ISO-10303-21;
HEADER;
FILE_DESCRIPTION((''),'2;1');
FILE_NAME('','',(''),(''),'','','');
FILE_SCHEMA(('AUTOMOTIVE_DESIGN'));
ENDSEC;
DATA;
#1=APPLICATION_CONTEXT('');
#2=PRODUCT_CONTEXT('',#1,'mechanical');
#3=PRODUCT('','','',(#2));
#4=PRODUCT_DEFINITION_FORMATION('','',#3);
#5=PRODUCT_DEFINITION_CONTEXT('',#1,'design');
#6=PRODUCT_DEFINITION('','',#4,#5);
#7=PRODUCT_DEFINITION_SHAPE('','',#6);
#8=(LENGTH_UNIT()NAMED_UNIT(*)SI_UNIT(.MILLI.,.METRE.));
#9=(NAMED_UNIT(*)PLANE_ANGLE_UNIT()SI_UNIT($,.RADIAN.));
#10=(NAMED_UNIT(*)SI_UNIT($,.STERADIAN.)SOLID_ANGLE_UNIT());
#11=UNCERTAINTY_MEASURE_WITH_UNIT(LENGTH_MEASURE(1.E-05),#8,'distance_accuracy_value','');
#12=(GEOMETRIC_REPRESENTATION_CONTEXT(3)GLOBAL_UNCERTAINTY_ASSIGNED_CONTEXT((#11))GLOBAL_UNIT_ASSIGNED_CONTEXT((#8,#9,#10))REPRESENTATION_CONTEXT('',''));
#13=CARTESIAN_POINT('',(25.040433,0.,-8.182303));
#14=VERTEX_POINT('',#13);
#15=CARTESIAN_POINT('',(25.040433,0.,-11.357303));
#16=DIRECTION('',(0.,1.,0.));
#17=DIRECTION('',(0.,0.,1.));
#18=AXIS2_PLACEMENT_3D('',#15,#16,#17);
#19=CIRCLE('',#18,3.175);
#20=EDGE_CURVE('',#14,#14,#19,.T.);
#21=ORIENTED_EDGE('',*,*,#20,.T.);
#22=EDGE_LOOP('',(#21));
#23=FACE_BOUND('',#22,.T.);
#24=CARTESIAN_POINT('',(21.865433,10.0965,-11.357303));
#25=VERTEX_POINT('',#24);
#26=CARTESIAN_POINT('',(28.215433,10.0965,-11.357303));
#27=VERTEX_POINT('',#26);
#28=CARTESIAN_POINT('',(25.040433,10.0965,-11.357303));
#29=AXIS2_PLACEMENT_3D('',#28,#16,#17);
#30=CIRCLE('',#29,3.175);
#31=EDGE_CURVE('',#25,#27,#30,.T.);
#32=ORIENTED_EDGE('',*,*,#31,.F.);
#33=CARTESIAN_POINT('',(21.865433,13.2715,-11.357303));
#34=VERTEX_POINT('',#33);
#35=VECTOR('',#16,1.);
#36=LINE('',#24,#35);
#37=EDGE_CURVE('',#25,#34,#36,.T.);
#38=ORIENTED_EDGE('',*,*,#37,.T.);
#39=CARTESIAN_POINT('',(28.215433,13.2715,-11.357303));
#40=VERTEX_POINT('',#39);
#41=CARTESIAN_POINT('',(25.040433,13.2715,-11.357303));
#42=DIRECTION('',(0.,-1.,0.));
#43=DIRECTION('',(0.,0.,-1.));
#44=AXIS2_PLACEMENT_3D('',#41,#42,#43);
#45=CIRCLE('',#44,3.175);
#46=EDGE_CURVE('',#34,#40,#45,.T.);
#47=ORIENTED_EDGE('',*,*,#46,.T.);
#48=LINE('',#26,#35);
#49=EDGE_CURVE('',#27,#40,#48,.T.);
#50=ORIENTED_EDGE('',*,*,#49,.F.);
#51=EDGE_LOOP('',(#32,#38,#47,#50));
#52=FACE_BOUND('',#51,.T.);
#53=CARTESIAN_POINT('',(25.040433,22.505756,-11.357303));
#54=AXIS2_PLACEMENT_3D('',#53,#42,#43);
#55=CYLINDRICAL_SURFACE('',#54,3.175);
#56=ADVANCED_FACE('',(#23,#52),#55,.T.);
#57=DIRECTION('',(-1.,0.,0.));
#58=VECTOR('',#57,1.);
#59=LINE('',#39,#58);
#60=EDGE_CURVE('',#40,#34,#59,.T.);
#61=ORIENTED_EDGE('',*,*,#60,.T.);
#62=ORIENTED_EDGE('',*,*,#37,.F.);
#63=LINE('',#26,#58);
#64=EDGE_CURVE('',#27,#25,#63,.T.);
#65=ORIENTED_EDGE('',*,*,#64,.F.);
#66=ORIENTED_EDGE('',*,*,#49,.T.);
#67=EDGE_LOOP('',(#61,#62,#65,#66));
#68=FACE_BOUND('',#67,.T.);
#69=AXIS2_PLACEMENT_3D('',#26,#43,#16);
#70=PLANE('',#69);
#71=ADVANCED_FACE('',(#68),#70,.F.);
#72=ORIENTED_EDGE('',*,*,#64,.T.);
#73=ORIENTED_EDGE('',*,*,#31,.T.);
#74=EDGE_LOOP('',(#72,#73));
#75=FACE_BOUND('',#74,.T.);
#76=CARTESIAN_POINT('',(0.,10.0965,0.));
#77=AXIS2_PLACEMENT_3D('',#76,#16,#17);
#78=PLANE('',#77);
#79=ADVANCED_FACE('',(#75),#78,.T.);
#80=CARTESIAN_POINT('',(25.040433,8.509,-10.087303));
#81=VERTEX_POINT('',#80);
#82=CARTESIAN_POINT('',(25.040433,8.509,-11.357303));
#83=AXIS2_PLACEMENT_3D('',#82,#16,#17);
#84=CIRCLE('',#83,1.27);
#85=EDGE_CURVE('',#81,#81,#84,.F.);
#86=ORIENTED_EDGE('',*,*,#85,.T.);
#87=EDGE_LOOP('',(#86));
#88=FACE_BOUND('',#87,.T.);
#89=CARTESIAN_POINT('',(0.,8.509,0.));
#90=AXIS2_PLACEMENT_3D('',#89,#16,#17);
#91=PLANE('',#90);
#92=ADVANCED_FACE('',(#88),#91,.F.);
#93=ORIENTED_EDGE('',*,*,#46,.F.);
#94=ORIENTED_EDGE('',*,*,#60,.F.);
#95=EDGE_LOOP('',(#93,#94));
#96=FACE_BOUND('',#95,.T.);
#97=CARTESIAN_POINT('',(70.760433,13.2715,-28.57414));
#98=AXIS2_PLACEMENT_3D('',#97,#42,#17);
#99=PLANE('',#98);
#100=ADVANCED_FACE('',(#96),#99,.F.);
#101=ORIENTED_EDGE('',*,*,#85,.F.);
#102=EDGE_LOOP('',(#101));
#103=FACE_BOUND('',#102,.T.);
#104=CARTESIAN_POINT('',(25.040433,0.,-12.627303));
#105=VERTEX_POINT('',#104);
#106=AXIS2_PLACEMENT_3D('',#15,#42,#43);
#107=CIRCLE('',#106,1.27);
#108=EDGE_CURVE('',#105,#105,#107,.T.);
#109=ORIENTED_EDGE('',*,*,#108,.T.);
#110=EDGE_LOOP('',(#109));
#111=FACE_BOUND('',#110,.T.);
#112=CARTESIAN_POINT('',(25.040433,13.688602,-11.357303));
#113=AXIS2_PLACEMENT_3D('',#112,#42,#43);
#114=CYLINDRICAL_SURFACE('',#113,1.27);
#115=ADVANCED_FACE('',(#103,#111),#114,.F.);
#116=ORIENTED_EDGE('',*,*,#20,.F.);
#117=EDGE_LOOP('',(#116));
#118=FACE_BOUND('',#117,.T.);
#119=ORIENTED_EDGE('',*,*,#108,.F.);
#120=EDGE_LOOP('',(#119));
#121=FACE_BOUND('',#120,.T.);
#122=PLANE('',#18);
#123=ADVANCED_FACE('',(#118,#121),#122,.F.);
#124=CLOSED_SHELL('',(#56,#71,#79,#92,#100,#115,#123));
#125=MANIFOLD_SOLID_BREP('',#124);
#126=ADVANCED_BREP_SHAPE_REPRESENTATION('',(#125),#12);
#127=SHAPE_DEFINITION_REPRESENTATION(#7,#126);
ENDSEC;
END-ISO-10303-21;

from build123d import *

# Parameters (mm, degrees)
SKETCH1_R                = 3.175
BOSS_EXTRUDE1_DEPTH      = 13.2715
SKETCH2_W                = 6.35
SKETCH2_H                = 4.534297592
CLEAR_LCD_FASTENER_DEPTH = 3.175
SKETCH3_R                = 1.27
TAP_NUMBER_4_DEPTH       = 8.509


with BuildPart() as part:
    # Sketch1 → Boss-Extrude1 (new body)
    with BuildSketch(Plane(origin=(0, 0, 0), x_dir=(1, 0, 0), z_dir=(0, 1, 0))):
        with Locations(Location((25.040432804, 11.35730315, 0), (0, 0, 90))):
            Circle(SKETCH1_R)
    extrude(amount=BOSS_EXTRUDE1_DEPTH)

    # Sketch2 → clear LCD fastener (cut)
    with BuildSketch(Plane(origin=(0, 13.2715, 0), x_dir=(1, 0, 0), z_dir=(0, 1, 0))):
        with Locations((25.040432804, 9.090154354)):
            Rectangle(SKETCH2_W, SKETCH2_H)
    extrude(amount=-CLEAR_LCD_FASTENER_DEPTH, mode=Mode.SUBTRACT)

    # Sketch3 → tap number 4 (cut)
    with BuildSketch(Plane.XZ):
        with Locations(Location((25.040432804, -11.35730315, 0), (0, 0, 270))):
            Circle(SKETCH3_R)
    extrude(amount=-TAP_NUMBER_4_DEPTH, mode=Mode.SUBTRACT)


solid = part.part
